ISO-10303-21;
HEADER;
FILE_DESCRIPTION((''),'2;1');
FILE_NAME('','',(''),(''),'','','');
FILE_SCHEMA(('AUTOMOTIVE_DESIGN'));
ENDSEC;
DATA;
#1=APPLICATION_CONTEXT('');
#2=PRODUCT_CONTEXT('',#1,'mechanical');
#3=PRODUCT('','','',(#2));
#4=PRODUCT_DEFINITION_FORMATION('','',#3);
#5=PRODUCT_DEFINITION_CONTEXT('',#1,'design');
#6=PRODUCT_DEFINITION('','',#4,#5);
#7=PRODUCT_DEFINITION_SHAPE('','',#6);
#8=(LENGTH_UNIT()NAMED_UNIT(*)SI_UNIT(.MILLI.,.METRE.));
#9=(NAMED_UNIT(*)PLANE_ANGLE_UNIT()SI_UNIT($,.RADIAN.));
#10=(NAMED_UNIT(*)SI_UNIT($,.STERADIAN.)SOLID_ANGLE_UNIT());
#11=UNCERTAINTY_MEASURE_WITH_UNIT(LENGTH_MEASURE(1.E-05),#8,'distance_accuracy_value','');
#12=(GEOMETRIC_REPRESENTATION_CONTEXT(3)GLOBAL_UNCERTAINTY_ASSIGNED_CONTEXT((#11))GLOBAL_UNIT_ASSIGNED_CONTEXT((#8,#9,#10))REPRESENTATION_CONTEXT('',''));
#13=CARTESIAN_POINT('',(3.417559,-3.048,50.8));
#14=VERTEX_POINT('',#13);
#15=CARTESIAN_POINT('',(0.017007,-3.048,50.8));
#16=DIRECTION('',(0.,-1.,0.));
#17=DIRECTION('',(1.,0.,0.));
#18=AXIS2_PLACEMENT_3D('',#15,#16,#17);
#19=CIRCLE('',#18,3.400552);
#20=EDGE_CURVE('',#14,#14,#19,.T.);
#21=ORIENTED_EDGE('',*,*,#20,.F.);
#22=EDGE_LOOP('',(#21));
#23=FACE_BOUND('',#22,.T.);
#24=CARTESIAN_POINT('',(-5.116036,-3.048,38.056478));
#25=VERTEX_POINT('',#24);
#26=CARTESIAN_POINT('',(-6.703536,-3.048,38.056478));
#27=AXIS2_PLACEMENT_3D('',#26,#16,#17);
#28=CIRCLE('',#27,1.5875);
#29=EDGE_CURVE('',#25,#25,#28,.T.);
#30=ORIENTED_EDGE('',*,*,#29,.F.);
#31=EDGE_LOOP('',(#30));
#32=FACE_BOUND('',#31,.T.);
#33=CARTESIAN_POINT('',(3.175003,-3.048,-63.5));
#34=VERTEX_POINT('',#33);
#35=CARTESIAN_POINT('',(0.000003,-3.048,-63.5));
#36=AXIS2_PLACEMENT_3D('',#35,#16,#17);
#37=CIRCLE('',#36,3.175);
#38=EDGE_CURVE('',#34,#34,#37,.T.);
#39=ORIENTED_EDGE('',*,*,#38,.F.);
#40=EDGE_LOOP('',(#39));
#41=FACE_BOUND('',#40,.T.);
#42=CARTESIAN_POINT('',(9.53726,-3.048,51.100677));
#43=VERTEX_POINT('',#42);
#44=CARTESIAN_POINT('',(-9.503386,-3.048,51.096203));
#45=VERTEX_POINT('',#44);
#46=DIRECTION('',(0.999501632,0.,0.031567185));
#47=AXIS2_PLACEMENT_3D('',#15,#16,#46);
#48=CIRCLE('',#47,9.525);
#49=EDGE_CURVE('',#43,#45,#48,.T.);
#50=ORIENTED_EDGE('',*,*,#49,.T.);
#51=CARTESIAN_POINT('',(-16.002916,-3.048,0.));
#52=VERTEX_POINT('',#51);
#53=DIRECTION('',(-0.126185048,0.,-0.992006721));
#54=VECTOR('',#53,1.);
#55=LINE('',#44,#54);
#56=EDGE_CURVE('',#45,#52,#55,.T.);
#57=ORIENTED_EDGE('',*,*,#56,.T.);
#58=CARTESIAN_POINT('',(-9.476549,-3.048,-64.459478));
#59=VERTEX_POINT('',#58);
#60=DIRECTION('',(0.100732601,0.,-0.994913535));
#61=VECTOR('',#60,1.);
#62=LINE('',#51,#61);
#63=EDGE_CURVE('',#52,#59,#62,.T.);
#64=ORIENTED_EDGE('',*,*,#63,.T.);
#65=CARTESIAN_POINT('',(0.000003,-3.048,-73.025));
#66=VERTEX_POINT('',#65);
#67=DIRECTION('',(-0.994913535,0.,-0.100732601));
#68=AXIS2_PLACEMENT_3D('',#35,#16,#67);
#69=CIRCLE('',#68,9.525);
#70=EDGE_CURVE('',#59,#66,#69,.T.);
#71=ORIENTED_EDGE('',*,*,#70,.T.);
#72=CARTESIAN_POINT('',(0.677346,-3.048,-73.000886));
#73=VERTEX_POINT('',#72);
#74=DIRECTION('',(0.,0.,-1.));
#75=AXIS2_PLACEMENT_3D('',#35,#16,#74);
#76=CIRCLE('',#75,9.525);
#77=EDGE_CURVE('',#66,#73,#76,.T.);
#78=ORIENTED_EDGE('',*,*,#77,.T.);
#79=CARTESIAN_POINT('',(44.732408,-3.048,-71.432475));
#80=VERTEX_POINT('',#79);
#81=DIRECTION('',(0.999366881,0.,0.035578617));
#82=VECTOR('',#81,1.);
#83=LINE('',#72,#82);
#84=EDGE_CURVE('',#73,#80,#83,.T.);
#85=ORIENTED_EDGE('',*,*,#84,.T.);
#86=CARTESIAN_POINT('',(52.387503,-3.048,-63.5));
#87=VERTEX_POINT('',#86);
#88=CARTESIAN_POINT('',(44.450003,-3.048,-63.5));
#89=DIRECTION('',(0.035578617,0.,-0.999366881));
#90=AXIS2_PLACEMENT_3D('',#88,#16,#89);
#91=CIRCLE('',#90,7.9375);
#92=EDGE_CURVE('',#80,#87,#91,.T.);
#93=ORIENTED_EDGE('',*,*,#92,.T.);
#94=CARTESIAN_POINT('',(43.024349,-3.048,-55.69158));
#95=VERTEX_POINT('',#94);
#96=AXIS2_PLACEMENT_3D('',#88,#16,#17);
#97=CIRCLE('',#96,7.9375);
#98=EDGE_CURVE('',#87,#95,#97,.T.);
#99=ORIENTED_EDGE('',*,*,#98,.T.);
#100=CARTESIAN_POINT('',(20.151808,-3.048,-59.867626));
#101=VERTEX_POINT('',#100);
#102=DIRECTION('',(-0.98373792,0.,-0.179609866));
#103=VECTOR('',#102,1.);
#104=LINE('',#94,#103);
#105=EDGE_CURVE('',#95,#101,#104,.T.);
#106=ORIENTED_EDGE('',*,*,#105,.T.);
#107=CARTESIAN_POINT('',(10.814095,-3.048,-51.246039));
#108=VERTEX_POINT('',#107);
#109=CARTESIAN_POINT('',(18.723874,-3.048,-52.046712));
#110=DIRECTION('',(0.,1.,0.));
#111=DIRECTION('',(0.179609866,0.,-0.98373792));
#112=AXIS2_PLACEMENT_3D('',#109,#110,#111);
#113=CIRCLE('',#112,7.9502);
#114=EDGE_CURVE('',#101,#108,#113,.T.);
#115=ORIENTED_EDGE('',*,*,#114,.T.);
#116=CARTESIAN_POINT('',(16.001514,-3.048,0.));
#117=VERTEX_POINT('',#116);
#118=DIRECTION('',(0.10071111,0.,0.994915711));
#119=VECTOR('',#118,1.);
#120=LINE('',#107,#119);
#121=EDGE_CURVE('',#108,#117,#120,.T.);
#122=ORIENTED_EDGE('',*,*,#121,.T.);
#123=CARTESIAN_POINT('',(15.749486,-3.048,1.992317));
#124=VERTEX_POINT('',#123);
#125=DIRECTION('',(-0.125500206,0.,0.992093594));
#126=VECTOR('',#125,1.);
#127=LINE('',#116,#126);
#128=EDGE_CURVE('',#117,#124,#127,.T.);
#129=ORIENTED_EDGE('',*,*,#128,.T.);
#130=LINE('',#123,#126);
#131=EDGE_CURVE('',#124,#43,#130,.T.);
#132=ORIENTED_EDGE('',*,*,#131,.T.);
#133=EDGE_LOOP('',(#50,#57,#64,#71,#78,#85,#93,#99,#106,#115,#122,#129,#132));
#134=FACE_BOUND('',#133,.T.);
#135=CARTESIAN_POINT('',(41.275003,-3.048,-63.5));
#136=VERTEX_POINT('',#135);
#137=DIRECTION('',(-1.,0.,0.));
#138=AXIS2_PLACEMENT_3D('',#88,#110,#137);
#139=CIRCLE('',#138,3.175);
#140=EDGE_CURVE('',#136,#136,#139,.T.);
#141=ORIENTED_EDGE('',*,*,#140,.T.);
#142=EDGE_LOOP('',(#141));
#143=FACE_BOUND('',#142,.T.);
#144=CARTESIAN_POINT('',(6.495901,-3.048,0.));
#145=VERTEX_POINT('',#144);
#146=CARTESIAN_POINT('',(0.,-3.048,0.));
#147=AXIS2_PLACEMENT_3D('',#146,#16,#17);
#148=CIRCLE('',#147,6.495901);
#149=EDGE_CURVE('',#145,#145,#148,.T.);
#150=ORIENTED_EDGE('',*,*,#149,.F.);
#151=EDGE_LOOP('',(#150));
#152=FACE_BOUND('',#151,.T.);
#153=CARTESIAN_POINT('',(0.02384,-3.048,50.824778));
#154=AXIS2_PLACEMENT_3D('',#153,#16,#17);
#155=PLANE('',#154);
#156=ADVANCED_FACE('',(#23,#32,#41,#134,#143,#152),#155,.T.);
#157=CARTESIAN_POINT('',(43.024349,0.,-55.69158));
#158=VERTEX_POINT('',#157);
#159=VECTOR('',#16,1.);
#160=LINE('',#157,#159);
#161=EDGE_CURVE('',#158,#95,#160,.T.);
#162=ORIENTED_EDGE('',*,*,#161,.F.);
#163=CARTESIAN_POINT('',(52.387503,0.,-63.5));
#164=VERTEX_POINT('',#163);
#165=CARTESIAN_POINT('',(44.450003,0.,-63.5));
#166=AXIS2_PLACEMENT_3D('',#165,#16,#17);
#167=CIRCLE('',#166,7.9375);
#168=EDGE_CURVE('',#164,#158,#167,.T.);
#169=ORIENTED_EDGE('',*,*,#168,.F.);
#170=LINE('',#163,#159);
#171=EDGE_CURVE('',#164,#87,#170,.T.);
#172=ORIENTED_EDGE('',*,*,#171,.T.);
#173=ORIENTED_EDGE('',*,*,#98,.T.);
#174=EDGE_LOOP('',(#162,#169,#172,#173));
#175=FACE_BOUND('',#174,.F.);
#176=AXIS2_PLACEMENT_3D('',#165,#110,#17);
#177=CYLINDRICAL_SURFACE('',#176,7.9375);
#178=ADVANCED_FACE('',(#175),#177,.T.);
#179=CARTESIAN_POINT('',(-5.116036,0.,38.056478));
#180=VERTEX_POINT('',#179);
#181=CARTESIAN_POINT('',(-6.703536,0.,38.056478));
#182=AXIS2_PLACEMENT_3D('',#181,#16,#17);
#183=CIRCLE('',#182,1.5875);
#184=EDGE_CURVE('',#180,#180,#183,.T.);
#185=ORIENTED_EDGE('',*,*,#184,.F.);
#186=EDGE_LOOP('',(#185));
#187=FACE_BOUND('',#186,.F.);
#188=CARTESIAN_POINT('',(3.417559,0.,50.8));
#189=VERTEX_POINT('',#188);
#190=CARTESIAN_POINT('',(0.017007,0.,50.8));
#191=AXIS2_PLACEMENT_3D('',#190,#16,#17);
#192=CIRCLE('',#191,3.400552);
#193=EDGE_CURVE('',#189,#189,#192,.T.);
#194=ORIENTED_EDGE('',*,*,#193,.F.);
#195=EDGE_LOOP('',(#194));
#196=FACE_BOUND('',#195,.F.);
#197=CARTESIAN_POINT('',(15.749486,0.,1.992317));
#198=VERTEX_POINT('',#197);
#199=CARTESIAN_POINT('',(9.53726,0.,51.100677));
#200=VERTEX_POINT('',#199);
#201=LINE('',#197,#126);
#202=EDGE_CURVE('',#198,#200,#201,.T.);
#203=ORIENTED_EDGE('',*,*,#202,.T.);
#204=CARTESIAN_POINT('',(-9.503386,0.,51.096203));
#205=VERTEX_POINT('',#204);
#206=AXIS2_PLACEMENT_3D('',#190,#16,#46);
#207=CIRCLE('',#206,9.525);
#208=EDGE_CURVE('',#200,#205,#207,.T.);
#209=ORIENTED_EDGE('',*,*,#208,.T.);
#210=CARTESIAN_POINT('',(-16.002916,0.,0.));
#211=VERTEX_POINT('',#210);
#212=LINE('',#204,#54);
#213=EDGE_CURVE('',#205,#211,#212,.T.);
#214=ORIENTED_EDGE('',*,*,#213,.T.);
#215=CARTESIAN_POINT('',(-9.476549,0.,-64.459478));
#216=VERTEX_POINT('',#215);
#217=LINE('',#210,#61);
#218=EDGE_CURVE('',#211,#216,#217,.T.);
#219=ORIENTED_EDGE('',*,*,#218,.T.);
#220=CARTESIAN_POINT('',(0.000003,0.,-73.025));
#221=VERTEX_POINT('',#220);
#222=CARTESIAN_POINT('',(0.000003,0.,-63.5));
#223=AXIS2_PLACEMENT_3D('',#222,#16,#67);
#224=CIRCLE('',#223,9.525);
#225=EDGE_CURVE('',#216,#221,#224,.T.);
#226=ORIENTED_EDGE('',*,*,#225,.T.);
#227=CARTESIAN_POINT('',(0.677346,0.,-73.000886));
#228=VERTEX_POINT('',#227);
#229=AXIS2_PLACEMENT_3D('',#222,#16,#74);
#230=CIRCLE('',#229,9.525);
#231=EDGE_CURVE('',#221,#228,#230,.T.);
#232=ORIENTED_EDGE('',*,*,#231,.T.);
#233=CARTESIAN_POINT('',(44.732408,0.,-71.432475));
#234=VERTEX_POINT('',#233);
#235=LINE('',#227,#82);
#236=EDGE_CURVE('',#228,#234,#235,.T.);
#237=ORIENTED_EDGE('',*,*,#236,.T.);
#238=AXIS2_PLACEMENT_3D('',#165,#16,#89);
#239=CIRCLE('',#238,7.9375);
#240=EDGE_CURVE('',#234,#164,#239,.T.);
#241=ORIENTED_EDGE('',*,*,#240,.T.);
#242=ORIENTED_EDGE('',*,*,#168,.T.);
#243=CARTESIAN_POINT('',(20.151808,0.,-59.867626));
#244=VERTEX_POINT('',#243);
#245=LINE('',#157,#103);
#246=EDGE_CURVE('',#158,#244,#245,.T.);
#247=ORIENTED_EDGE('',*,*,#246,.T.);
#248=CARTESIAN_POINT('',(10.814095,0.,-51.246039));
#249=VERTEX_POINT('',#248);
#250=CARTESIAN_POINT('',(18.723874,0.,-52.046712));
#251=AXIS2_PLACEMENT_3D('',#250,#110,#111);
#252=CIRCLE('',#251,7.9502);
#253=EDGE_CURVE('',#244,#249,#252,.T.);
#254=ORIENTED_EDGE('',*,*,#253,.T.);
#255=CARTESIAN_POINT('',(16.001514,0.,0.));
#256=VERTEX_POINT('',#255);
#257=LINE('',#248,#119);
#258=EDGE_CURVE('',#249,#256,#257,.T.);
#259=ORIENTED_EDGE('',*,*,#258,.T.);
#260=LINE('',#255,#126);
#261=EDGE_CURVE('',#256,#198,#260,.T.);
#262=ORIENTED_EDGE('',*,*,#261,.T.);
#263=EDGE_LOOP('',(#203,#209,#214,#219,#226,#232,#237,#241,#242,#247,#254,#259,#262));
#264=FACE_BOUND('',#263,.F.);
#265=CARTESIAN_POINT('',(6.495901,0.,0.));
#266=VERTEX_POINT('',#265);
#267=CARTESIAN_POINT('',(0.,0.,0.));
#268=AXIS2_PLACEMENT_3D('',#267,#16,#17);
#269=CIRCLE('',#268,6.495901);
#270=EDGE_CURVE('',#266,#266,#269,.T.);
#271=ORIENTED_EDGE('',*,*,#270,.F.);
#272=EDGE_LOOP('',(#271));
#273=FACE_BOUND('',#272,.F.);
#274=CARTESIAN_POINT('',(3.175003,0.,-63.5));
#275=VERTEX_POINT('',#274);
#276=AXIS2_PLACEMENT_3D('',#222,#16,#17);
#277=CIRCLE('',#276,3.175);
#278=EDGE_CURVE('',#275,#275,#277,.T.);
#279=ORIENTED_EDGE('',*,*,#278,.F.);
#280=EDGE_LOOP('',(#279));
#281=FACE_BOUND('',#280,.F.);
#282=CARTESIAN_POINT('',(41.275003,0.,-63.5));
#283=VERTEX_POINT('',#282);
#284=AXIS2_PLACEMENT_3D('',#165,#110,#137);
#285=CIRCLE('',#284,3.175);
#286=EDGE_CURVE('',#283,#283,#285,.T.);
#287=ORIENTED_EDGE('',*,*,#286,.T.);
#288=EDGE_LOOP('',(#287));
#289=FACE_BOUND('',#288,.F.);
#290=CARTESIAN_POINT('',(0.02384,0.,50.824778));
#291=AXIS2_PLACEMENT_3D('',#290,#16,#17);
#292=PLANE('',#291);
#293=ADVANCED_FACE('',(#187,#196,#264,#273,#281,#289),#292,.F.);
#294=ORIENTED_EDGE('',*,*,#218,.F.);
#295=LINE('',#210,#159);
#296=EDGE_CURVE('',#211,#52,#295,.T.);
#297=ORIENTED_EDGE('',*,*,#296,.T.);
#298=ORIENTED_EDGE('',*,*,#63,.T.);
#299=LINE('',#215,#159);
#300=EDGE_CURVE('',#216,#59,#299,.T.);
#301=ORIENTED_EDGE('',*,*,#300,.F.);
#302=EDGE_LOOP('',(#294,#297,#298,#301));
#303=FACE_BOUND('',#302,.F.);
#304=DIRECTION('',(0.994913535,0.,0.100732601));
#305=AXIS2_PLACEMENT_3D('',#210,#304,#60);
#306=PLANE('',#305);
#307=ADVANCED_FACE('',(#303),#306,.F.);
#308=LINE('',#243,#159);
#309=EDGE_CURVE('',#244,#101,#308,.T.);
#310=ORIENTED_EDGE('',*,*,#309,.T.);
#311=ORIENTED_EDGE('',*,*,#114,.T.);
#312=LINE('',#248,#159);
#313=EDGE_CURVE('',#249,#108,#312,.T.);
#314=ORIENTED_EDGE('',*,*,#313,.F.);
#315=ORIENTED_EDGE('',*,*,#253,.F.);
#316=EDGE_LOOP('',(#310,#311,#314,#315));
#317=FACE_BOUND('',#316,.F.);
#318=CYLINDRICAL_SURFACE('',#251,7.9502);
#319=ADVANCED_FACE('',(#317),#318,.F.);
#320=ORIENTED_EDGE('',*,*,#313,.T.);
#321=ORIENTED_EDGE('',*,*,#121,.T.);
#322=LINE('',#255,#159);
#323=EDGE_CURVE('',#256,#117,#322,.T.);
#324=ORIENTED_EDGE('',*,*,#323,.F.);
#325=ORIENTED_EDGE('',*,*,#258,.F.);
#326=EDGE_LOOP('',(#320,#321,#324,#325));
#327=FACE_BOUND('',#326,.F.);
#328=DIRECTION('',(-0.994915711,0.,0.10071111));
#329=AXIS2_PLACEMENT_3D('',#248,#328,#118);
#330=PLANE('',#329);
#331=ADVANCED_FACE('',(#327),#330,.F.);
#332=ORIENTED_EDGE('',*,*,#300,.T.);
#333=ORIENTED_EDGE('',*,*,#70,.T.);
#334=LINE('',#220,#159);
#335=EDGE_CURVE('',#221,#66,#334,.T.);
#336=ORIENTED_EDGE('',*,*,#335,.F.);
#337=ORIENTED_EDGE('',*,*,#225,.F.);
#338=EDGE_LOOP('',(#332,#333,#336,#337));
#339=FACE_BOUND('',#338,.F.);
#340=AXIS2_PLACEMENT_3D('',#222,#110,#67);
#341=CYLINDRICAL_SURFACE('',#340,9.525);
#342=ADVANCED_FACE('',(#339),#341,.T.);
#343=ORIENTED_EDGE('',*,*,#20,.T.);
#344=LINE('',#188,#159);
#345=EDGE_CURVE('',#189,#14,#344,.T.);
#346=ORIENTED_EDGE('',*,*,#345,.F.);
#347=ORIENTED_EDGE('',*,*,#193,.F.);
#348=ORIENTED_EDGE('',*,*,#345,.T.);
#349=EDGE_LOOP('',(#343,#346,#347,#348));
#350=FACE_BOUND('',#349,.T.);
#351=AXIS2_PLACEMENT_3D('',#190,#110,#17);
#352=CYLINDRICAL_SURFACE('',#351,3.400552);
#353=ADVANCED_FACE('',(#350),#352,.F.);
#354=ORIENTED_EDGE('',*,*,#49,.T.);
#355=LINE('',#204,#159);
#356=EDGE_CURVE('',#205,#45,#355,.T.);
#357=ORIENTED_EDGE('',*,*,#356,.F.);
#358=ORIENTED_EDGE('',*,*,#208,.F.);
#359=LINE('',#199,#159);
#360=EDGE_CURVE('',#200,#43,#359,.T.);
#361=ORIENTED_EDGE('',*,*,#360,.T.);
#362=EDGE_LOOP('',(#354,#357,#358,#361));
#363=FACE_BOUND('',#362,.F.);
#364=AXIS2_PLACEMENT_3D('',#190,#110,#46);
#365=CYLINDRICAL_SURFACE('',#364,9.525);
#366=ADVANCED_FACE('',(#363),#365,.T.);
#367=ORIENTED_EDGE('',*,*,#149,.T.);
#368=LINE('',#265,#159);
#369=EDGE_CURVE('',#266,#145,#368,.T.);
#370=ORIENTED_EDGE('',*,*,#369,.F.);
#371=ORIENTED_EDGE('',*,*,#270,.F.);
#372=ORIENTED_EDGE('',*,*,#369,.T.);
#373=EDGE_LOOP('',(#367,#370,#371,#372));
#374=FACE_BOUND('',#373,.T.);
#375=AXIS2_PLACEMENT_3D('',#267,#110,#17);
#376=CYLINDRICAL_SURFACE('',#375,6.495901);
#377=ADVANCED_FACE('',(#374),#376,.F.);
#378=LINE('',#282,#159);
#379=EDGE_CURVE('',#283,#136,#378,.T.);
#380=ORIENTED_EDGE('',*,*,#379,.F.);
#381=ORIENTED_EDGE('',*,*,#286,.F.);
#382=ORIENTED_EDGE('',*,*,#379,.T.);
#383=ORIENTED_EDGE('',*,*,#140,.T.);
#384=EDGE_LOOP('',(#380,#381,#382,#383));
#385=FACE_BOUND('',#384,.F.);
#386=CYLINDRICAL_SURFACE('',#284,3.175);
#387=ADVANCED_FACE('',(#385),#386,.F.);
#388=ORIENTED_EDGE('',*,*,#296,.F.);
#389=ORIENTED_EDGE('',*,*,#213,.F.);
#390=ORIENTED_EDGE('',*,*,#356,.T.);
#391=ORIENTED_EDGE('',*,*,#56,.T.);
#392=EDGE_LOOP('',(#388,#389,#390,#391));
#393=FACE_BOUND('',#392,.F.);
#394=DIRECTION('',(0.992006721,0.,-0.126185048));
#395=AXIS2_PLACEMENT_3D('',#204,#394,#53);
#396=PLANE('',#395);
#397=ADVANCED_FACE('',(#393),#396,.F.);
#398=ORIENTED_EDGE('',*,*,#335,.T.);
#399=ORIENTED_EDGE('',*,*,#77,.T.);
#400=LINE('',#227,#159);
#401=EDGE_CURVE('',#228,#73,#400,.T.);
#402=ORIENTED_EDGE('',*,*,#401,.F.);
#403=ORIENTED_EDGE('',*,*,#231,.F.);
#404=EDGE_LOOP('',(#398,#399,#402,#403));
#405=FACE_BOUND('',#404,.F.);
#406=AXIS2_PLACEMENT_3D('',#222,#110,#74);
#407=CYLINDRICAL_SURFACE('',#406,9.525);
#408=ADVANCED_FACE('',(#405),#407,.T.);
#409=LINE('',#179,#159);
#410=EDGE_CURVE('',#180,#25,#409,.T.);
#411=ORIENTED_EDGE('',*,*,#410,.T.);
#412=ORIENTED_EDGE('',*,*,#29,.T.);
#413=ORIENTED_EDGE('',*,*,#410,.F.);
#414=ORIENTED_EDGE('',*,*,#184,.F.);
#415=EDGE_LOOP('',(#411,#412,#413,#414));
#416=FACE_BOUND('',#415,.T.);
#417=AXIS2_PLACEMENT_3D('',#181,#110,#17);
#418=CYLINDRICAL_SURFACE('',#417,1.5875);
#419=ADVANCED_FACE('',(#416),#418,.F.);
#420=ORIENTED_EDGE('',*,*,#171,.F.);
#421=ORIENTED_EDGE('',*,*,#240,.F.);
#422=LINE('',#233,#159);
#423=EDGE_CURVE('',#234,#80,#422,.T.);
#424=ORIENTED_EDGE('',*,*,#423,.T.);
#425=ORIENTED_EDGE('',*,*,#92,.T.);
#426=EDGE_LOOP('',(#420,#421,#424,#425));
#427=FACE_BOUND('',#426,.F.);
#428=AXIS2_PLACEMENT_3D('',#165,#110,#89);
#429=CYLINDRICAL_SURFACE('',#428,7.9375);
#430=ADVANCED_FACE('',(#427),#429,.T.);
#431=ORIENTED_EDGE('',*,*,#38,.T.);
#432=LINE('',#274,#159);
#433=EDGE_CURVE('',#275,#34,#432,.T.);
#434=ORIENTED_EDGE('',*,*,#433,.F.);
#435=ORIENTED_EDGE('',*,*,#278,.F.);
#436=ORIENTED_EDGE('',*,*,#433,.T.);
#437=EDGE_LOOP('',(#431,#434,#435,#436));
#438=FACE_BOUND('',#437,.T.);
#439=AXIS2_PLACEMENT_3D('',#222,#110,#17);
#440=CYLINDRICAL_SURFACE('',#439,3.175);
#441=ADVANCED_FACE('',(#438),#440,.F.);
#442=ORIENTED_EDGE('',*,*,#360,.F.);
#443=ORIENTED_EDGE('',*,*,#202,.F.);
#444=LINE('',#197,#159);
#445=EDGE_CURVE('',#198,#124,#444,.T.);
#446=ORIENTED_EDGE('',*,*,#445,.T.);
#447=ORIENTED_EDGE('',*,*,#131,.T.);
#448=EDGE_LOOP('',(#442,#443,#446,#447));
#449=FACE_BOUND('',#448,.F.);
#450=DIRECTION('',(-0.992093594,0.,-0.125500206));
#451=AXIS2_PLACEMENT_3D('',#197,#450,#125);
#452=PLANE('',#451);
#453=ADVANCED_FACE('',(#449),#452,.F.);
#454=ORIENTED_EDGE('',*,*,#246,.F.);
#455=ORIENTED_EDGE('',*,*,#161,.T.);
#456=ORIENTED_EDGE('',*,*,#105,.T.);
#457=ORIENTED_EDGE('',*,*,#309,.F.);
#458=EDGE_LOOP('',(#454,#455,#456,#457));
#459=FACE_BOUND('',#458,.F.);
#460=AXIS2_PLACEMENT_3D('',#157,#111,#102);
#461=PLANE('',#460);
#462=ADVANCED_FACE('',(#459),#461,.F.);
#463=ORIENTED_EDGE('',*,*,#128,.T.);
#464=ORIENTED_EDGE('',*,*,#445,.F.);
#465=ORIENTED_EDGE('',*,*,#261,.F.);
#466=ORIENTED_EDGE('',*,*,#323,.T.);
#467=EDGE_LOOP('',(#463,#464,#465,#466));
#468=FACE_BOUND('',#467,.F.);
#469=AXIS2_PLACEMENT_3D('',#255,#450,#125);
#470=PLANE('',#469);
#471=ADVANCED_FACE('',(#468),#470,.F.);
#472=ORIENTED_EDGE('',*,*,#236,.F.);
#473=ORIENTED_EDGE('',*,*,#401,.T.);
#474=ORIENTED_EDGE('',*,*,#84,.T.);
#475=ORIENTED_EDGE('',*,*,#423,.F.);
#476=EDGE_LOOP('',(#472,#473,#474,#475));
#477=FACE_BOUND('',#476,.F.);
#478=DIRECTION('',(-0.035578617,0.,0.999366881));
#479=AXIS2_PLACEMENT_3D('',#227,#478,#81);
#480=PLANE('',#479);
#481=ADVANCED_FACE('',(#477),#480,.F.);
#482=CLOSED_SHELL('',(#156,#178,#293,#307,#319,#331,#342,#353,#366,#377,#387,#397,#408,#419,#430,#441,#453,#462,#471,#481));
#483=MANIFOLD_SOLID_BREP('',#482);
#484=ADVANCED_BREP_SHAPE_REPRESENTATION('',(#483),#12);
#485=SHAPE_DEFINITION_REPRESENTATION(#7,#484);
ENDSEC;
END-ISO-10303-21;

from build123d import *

# Parameters (mm, degrees)
F0_R     = 3.4005524975
F0_R_2   = 1.5875
F0_R_3   = 6.4959012334
F0_R_4   = 3.175
F1_DEPTH = 3.048


with BuildPart() as f1:
    # F0 (on Front) → F1 (new body)
    with BuildSketch(Plane.XZ):
        with BuildLine():
            ThreePointArc((-9.5033864398, 51.0962027961), (-0.1311124315, 41.2761517405), (9.5420068768, 50.8))
            ThreePointArc((9.5420068768, 50.8), (9.5408200646, 50.9503574546), (9.5372599237, 51.1006774402))
            ThreePointArc((9.5372599237, 51.1006774402), (0.0147684557, 60.324999737), (-9.5033864398, 51.0962027961))
        make_face()
        with Locations((0.0170068768, 50.8)):
            Circle(F0_R, mode=Mode.SUBTRACT)
        with BuildLine():
            ThreePointArc((9.5372599237, 51.1006774402), (9.5408200646, 50.9503574546), (9.5420068768, 50.8))
            ThreePointArc((9.5420068768, 50.8), (-0.1311124315, 41.2761517405), (-9.5033864398, 51.0962027961))
            Line((-9.5033864398, 51.0962027961), (-15.7481067025, 2.0031875317))
            ThreePointArc((-15.7481067025, 2.0031875317), (0.0054789096, 15.8749990545), (15.7494856637, 1.9923168248))
            Line((15.7494856637, 1.9923168248), (9.5372599237, 51.1006774402))
        make_face()
        with Locations((-6.7035360262, 38.0564779043)):
            Circle(F0_R_2, mode=Mode.SUBTRACT)
        with BuildLine():
            Line((16.0015144772, 0), (15.7494856637, 1.9923168248))
            ThreePointArc((15.7494856637, 1.9923168248), (15.843590343, 0.9981332801), (15.875, 0))
            ThreePointArc((15.875, 0), (-1.0036012899, -15.8432449154), (-15.7481067025, 2.0031875317))
            Line((-15.7481067025, 2.0031875317), (-16.0029157767, 0))
            Line((-16.0029157767, 0), (-9.4765487653, -64.459478024))
            ThreePointArc((-9.4765487653, -64.459478024), (-0.4803475617, -53.9871198544), (9.5250026602, -63.5))
            Line((9.5250026602, -63.5), (36.5125026602, -63.5))
            ThreePointArc((36.5125026602, -63.5), (38.3541011936, -58.4163112252), (43.0243493524, -55.6915802562))
            Line((43.0243493524, -55.6915802562), (20.1518079019, -59.8676255314))
            ThreePointArc((20.1518079019, -59.8676255314), (13.3306818795, -57.8878734728), (10.8140946621, -51.2460388464))
            Line((10.8140946621, -51.2460388464), (16.0015144772, 0))
        make_face()
        with BuildLine():
            ThreePointArc((15.875, 0), (15.843590343, 0.9981332801), (15.7494856637, 1.9923168248))
            ThreePointArc((15.7494856637, 1.9923168248), (0.0054789096, 15.8749990545), (-15.7481067025, 2.0031875317))
            ThreePointArc((-15.7481067025, 2.0031875317), (-1.0036012899, -15.8432449154), (15.875, 0))
        make_face()
        Circle(F0_R_3, mode=Mode.SUBTRACT)
        with BuildLine():
            ThreePointArc((9.5250026602, -63.5), (-0.4803475617, -53.9871198544), (-9.4765487653, -64.459478024))
            ThreePointArc((-9.4765487653, -64.459478024), (-6.3869605, -70.5662809589), (2.6602e-06, -73.025))
            Line((2.6602e-06, -73.025), (0.6773462081, -73.000885786))
            ThreePointArc((0.6773462081, -73.000885786), (6.9705593917, -69.9912990883), (9.5250026602, -63.5))
        make_face()
        with Locations((2.6602e-06, -63.5)):
            Circle(F0_R_4, mode=Mode.SUBTRACT)
        with BuildLine():
            Line((36.5125026602, -63.5), (9.5250026602, -63.5))
            ThreePointArc((9.5250026602, -63.5), (6.9705593917, -69.9912990883), (0.6773462081, -73.000885786))
            Line((0.6773462081, -73.000885786), (44.7324079348, -71.4324746146))
            ThreePointArc((44.7324079348, -71.4324746146), (38.9380921755, -69.2116327839), (36.5125026602, -63.5))
        make_face()
        with BuildLine():
            Line((0.6773462081, -73.000885786), (2.6602e-06, -73.025))
            ThreePointArc((2.6602e-06, -73.025), (0.3388889897, -73.0189695375), (0.6773462081, -73.000885786))
        make_face()
        with BuildLine():
            ThreePointArc((52.3875026602, -63.5), (49.5336914351, -57.4040985334), (43.0243493524, -55.6915802562))
            ThreePointArc((43.0243493524, -55.6915802562), (38.3541011936, -58.4163112252), (36.5125026602, -63.5))
            ThreePointArc((36.5125026602, -63.5), (38.9380921755, -69.2116327839), (44.7324079348, -71.4324746146))
            ThreePointArc((44.7324079348, -71.4324746146), (50.1616354442, -69.0119104847), (52.3875026602, -63.5))
        make_face()
        with BuildLine():
            ThreePointArc((47.6250026602, -63.5), (44.4500026602, -66.675), (41.2750026602, -63.5))
            ThreePointArc((41.2750026602, -63.5), (44.4500026602, -60.325), (47.6250026602, -63.5))
        make_face(mode=Mode.SUBTRACT)
    extrude(amount=F1_DEPTH)


solid = f1.part
